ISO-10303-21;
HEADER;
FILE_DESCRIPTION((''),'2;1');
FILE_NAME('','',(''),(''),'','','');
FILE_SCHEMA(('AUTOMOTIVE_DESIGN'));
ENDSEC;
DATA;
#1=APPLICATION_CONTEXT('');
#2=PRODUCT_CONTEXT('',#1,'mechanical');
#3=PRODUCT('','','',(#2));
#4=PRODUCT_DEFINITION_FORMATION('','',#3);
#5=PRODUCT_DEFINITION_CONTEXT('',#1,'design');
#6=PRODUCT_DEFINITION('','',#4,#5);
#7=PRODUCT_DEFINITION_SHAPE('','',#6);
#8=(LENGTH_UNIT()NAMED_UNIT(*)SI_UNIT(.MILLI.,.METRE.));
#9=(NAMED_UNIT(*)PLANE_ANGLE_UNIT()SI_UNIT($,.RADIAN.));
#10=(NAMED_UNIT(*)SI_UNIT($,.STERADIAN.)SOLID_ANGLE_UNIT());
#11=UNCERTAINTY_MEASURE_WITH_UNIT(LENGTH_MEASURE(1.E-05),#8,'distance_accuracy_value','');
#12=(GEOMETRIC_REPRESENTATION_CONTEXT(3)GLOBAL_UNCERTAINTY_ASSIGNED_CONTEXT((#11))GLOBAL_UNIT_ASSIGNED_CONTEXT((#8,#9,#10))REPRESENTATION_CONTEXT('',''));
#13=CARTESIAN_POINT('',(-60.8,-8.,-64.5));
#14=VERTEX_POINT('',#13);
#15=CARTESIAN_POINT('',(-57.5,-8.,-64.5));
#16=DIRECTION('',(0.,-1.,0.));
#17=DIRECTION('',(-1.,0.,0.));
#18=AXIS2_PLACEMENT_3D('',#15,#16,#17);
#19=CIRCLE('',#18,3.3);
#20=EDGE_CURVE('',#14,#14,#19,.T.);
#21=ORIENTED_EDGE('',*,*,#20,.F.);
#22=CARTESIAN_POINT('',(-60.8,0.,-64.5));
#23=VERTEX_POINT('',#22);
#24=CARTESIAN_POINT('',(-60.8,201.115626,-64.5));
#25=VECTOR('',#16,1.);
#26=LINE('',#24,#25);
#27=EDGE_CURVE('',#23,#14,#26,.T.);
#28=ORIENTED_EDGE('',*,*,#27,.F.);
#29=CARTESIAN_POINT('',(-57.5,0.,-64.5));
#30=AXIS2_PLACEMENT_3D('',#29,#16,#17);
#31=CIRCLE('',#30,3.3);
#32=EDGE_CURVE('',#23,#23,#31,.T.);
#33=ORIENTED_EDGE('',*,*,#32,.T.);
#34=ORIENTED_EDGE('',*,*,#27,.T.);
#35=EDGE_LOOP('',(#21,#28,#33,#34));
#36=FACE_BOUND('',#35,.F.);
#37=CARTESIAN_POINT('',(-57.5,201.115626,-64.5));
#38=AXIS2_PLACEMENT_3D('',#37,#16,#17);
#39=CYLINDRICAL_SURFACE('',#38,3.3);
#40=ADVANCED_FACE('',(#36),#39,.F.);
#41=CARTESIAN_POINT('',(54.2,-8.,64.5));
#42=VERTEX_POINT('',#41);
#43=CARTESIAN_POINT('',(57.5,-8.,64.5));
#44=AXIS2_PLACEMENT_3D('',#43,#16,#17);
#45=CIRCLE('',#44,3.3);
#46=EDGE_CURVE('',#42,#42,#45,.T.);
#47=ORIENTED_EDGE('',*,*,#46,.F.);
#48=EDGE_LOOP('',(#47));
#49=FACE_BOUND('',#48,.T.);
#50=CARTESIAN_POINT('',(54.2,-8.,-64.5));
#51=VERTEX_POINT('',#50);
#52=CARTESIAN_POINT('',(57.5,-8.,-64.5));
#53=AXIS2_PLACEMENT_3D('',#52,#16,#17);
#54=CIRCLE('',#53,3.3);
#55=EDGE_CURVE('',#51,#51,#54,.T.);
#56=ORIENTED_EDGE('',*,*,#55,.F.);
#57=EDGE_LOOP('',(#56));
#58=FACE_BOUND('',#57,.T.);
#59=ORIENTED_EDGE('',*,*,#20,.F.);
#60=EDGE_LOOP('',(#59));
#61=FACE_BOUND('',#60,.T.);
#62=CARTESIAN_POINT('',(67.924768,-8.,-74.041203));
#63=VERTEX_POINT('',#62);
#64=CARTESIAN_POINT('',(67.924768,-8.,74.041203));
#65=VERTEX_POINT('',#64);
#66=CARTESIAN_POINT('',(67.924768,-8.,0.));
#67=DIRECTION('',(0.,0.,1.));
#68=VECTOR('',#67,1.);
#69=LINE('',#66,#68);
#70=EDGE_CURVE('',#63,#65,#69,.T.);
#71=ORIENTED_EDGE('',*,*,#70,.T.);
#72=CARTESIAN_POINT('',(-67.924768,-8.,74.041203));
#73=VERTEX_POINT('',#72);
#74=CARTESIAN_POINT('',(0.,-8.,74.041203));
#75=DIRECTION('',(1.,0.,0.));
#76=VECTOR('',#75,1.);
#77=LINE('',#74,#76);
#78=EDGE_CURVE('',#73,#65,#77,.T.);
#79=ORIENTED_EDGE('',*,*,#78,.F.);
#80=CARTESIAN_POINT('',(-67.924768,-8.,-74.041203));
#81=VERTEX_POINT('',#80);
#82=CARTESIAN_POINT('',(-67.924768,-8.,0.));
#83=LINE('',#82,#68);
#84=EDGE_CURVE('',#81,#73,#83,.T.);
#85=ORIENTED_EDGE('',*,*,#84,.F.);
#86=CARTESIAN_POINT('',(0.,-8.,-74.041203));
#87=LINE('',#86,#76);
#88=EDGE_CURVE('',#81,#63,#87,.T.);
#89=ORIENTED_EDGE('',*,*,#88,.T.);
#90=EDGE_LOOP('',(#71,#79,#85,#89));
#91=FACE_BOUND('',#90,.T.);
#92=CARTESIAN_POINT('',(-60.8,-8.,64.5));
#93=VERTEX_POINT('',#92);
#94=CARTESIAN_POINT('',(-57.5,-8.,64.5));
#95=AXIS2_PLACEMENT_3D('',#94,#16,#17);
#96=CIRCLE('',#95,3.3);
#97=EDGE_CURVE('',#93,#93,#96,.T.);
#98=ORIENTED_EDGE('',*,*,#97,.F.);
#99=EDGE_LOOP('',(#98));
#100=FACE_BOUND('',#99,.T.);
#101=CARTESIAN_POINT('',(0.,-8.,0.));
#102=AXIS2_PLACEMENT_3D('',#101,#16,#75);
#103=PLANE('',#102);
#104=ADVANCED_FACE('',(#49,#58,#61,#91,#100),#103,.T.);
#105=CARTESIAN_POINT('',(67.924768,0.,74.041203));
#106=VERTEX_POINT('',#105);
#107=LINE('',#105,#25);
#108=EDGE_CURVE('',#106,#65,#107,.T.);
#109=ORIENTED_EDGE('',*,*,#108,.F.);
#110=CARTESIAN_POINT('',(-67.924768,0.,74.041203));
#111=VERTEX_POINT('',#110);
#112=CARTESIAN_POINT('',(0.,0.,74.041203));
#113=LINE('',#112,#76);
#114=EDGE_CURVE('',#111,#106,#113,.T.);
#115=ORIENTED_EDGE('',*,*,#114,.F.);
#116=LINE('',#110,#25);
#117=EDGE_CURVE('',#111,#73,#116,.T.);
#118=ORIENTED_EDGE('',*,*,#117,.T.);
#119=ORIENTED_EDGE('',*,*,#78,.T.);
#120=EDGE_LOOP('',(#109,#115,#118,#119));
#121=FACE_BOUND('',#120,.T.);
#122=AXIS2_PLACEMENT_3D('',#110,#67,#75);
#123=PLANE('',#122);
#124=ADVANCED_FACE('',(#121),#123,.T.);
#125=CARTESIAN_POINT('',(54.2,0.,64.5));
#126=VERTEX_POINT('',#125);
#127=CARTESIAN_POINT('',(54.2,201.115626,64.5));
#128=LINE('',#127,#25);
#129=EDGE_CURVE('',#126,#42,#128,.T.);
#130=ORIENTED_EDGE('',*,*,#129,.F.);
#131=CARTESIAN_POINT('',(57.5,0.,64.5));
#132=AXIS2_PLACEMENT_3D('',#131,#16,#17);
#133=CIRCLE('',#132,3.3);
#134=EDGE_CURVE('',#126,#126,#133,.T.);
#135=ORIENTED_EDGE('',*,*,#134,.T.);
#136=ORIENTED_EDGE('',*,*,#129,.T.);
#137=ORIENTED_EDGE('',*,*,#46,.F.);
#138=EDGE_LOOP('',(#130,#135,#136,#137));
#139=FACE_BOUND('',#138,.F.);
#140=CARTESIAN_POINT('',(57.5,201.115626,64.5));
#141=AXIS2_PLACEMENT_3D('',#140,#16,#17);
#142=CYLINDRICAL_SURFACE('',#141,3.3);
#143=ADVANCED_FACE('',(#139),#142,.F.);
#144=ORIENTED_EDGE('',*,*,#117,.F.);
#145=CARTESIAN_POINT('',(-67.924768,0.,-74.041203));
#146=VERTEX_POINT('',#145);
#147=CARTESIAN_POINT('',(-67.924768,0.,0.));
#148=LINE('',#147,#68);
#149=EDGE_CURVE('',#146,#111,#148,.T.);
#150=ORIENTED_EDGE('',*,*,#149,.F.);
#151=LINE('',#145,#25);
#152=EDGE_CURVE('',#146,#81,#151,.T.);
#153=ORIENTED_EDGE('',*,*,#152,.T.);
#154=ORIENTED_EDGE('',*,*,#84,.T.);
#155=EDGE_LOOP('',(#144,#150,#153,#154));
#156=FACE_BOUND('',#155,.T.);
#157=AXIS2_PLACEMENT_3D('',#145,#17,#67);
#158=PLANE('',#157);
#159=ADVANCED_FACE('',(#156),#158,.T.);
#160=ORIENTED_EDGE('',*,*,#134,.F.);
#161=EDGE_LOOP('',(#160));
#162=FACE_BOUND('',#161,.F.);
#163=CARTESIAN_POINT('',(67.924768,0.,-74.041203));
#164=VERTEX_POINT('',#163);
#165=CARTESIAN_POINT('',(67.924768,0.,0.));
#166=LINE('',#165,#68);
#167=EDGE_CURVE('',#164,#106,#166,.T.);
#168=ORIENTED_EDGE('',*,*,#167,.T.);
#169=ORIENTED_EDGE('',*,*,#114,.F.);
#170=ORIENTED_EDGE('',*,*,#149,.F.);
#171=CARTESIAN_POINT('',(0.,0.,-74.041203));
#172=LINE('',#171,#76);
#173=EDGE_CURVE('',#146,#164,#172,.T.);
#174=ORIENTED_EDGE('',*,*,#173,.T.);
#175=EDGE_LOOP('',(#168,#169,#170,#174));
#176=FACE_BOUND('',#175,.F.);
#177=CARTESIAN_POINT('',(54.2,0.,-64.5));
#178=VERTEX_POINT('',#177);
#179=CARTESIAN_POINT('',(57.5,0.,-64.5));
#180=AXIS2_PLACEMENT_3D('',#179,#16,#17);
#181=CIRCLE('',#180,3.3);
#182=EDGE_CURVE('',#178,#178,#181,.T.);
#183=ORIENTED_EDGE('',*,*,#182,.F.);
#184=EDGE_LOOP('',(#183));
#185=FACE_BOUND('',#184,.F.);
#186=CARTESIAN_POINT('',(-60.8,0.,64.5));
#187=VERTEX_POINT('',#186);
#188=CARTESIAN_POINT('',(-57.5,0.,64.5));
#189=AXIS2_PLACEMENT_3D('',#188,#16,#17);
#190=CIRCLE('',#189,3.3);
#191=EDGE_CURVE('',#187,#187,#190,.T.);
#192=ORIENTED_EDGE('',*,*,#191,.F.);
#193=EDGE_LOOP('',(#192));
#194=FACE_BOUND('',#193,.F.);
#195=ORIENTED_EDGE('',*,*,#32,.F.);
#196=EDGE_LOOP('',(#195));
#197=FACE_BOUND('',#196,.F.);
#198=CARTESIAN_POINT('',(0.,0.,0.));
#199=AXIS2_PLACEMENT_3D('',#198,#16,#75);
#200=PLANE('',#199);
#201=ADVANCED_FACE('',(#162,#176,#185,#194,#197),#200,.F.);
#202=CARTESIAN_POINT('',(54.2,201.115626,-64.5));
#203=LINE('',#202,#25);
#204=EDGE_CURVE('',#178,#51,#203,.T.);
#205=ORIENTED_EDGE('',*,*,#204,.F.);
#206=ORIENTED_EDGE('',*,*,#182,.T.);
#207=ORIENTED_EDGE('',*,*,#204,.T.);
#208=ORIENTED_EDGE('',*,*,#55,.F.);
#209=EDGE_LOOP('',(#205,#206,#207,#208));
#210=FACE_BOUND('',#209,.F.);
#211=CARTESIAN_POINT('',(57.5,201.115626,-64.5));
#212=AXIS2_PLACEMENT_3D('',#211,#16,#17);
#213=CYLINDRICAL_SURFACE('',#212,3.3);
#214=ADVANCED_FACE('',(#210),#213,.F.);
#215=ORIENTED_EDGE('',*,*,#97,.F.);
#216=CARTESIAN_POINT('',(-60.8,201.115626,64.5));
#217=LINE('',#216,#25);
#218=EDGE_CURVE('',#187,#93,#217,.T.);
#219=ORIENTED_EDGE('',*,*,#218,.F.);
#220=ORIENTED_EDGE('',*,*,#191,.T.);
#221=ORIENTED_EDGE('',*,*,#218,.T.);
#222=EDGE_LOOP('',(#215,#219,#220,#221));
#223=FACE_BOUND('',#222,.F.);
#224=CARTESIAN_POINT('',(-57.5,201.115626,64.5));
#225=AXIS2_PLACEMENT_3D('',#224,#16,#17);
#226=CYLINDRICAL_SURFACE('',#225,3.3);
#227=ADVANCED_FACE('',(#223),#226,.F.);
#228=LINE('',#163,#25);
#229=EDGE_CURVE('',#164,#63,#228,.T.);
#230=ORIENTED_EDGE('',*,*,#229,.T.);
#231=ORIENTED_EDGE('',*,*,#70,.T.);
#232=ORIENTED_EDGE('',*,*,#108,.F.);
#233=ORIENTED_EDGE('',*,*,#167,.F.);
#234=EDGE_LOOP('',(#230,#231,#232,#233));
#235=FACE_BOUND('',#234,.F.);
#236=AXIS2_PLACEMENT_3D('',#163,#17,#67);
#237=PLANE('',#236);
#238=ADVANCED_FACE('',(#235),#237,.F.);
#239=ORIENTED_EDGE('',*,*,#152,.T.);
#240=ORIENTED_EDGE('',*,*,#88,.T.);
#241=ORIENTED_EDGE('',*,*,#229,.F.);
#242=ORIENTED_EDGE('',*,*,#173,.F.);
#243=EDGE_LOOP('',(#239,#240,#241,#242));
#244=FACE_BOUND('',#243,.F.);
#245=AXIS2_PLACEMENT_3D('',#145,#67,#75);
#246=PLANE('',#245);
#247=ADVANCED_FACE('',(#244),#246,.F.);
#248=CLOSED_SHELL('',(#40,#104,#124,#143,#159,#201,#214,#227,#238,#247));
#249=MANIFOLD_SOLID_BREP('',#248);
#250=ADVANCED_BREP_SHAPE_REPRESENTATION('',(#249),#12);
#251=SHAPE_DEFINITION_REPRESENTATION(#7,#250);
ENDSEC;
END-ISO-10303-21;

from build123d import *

# Parameters (mm, degrees)
F0_W     = 135.8495354652
F0_H     = 148.0824053288
F0_W_2   = 115
F0_H_2   = 129
F1_DEPTH = 8
F2_D     = 6.6


with BuildPart() as f1:
    # F0 (on Front) → F1 (new body)
    with BuildSketch(Plane.XZ):
        Rectangle(F0_W, F0_H)
        Rectangle(F0_W_2, F0_H_2, mode=Mode.SUBTRACT)
        Rectangle(F0_W_2, F0_H_2)
    extrude(amount=F1_DEPTH)

    # F2 (through all)
    with Locations(Plane(origin=(0, 0, 0), x_dir=(1, 0, 0), z_dir=(0, 1, 0))):
        with Locations((-57.5, -64.5), (57.5, -64.5), (57.5, 64.5), (-57.5, 64.5)):
            Hole(F2_D / 2)


solid = f1.part
